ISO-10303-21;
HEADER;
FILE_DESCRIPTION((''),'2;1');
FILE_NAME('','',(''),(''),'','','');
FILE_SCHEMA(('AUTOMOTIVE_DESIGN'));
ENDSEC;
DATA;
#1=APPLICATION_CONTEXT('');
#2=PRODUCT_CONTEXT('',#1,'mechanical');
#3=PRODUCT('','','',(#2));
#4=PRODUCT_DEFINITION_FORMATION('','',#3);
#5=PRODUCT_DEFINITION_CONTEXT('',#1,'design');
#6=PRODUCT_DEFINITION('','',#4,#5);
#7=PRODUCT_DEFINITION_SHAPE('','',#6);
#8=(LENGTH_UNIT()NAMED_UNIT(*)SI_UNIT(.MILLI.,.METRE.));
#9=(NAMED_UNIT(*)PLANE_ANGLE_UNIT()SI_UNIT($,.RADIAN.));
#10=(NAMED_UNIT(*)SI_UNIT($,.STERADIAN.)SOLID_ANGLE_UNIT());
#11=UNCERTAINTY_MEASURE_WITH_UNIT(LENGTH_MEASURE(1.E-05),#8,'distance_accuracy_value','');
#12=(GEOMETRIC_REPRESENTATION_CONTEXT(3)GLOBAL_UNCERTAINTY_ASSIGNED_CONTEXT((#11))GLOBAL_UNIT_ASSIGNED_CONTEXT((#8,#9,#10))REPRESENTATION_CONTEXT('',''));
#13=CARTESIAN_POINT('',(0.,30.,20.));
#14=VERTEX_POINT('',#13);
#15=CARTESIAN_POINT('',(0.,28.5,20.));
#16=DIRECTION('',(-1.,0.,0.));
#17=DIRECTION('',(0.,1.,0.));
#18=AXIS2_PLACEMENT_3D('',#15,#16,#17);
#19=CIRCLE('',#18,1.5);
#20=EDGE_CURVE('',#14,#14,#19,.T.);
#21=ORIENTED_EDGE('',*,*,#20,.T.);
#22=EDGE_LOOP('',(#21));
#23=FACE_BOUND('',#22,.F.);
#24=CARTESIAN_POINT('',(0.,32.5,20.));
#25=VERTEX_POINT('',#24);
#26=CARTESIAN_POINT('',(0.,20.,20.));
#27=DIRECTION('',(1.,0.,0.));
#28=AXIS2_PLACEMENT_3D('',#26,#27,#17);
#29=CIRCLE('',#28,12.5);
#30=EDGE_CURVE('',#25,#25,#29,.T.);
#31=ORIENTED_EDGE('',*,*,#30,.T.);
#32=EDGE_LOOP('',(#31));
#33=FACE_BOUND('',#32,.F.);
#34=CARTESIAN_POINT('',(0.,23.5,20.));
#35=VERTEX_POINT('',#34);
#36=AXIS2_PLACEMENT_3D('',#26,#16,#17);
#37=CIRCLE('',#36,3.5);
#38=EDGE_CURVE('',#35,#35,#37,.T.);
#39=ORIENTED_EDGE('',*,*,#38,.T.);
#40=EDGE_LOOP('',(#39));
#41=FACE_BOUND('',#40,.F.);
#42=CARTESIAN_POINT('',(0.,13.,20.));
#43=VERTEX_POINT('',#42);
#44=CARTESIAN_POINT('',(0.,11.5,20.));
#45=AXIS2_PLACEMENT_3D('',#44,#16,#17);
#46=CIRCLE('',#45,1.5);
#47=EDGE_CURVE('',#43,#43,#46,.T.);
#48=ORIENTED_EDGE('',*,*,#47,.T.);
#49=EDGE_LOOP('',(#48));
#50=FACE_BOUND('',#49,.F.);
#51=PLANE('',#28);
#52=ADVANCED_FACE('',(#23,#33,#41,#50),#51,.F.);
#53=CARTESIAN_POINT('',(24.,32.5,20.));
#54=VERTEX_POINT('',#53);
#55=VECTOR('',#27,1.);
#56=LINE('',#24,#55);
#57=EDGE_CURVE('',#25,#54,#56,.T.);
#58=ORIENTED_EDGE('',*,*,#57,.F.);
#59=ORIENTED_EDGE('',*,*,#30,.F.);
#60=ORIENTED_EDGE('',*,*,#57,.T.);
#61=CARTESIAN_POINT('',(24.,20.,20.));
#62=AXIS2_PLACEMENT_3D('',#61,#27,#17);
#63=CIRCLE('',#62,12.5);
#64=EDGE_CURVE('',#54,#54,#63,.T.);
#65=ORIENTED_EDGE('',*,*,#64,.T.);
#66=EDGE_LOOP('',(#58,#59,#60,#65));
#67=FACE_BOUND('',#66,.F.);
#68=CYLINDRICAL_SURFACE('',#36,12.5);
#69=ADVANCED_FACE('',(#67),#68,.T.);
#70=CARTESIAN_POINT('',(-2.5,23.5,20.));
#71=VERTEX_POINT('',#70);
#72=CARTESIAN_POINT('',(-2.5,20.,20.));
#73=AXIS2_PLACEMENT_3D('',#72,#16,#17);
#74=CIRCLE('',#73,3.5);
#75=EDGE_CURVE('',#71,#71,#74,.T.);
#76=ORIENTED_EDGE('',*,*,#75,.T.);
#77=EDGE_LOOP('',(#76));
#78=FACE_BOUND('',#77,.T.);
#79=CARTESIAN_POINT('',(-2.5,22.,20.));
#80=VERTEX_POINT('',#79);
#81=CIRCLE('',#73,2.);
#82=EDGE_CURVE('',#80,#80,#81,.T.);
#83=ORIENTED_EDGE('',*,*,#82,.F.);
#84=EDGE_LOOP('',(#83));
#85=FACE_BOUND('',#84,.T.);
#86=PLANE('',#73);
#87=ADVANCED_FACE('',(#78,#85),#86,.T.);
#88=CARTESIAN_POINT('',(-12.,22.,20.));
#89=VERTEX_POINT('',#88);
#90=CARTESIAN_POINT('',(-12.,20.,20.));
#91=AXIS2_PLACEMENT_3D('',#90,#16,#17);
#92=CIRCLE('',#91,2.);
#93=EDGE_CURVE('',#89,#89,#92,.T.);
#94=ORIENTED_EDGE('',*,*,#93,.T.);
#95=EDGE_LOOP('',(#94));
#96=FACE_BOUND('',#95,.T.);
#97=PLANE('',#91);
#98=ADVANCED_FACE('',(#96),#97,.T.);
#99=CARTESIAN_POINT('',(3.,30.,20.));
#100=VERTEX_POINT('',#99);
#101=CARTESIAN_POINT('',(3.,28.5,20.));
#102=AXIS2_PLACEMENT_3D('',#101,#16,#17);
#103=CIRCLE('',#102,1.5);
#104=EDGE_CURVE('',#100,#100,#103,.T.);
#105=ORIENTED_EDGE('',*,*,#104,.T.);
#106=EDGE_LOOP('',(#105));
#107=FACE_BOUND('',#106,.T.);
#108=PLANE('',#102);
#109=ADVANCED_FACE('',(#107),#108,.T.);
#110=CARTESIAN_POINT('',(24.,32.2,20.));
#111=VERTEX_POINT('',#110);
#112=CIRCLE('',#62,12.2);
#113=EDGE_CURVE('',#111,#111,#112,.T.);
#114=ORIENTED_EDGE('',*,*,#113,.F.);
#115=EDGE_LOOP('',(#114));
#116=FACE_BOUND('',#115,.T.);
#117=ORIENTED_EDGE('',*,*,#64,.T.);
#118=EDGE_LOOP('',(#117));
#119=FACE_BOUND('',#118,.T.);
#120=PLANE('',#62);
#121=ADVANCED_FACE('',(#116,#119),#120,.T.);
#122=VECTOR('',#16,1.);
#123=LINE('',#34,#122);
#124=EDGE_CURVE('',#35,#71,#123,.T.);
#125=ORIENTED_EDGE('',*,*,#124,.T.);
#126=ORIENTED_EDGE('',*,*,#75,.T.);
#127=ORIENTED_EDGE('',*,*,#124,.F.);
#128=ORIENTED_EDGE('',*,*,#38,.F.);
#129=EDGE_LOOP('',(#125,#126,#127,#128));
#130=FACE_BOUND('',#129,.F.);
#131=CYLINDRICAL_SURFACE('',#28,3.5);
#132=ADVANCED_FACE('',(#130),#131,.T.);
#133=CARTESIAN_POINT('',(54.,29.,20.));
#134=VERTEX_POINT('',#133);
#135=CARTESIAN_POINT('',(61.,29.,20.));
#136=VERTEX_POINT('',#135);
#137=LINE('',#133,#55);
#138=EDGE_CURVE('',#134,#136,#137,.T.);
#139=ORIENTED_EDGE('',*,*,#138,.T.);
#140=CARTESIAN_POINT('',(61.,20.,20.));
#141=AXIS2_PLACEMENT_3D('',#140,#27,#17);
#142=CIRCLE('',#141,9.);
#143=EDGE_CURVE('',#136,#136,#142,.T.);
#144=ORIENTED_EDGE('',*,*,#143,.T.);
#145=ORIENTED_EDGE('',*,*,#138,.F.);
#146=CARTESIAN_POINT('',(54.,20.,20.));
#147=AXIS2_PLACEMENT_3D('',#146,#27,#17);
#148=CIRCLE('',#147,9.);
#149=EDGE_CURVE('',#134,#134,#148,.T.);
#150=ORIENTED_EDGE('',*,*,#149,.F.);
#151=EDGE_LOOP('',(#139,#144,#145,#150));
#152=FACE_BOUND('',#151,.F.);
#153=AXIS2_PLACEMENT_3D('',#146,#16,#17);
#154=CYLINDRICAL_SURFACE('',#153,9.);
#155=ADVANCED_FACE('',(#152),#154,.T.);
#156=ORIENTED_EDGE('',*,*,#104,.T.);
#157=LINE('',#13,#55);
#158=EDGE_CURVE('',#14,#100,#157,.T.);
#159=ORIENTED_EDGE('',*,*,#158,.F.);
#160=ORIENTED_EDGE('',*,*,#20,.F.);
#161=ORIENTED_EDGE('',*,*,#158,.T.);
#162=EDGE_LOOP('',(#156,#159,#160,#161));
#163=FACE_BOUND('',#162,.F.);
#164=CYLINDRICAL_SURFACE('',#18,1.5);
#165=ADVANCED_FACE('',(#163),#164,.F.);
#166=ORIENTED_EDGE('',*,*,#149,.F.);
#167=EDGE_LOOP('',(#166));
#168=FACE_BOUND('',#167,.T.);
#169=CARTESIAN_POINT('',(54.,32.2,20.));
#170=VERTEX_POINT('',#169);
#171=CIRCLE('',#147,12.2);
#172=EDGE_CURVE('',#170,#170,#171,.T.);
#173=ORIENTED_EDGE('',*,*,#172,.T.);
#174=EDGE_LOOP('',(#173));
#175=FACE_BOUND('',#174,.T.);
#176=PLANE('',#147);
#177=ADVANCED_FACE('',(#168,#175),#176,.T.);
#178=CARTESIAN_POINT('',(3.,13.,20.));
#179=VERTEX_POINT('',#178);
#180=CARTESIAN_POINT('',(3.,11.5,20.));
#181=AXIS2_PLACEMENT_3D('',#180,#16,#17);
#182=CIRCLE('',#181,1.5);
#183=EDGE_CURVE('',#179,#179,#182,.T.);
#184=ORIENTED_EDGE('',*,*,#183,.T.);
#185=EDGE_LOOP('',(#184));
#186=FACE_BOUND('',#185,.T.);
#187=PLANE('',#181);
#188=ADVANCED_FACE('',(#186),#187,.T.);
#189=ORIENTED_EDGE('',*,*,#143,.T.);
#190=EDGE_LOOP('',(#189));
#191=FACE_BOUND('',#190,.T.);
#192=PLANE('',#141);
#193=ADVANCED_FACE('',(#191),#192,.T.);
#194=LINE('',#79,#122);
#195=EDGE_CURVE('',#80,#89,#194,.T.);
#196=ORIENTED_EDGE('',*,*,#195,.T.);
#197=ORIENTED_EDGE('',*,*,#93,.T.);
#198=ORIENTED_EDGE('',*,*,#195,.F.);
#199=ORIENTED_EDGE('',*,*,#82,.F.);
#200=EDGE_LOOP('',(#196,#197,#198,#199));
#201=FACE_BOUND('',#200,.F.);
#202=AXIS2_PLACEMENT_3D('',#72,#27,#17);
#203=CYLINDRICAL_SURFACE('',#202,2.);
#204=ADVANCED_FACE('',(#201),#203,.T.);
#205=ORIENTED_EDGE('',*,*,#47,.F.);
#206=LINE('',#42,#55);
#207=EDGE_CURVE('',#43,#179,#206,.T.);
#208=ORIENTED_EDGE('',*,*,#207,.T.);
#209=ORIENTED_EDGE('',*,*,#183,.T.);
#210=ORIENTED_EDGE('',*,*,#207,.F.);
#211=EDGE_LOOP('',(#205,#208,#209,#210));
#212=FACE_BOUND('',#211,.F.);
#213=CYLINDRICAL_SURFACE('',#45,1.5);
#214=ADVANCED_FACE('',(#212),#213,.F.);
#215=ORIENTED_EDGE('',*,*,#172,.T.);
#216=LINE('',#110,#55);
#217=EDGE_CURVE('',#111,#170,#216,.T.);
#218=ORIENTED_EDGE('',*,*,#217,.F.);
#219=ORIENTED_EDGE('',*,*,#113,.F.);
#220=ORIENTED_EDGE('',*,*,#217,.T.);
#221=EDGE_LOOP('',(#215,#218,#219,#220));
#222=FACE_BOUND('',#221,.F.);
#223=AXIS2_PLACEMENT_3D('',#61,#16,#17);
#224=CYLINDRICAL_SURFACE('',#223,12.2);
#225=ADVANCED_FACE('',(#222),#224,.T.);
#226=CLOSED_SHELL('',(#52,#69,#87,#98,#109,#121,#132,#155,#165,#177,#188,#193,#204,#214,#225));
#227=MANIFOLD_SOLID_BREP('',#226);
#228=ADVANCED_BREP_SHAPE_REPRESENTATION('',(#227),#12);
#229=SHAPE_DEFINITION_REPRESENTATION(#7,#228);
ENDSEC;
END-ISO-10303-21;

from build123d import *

# Parameters (mm, degrees)
SKETCH_R        = 12.5
PAD_DEPTH       = 24
SKETCH001_R     = 12.2
PAD001_DEPTH    = 30
SKETCH002_R     = 3.5
PAD002_DEPTH    = 2.5
SKETCH003_R     = 2
PAD003_DEPTH    = 9.5
SKETCH004_R     = 9
PAD004_DEPTH    = 7
SKETCH009_R     = 1.5
POCKET002_DEPTH = 3


with BuildPart() as part:
    # Sketch → Pad (new body)
    with BuildSketch(Plane.YZ):
        with Locations((20, 20)):
            Circle(SKETCH_R)
    extrude(amount=PAD_DEPTH)

    # Sketch001 (on Face3 of Pad) → Pad001 (join)
    with BuildSketch(Plane.YZ.offset(24)):
        with Locations((20, 20)):
            Circle(SKETCH001_R)
    extrude(amount=PAD001_DEPTH)

    # Sketch002 (on Face2 of Pad001) → Pad002 (join)
    with BuildSketch(Plane(origin=(0, 0, 0), x_dir=(0, 1, 0), z_dir=(-1, 0, 0))):
        with Locations((20, -20)):
            Circle(SKETCH002_R)
    extrude(amount=PAD002_DEPTH)

    # Sketch003 (on Face6 of Pad002) → Pad003 (join)
    with BuildSketch(Plane(origin=(-2.5, 0, 0), x_dir=(0, 1, 0), z_dir=(-1, 0, 0))):
        with Locations((20, -20)):
            Circle(SKETCH003_R)
    extrude(amount=PAD003_DEPTH)

    # Sketch004 (on Face7 of Pad003) → Pad004 (join)
    with BuildSketch(Plane.YZ.offset(54)):
        with Locations((20, 20)):
            Circle(SKETCH004_R)
    extrude(amount=PAD004_DEPTH)

    # Sketch009 (on Face2 of Pad004) → Pocket002 (cut)
    with BuildSketch(Plane(origin=(0, 0, 0), x_dir=(0, 1, 0), z_dir=(-1, 0, 0))):
        with Locations((28.5, -20)):
            Circle(SKETCH009_R)
        with Locations((11.5, -20)):
            Circle(SKETCH009_R)
    extrude(amount=-POCKET002_DEPTH, mode=Mode.SUBTRACT)


solid = part.part
